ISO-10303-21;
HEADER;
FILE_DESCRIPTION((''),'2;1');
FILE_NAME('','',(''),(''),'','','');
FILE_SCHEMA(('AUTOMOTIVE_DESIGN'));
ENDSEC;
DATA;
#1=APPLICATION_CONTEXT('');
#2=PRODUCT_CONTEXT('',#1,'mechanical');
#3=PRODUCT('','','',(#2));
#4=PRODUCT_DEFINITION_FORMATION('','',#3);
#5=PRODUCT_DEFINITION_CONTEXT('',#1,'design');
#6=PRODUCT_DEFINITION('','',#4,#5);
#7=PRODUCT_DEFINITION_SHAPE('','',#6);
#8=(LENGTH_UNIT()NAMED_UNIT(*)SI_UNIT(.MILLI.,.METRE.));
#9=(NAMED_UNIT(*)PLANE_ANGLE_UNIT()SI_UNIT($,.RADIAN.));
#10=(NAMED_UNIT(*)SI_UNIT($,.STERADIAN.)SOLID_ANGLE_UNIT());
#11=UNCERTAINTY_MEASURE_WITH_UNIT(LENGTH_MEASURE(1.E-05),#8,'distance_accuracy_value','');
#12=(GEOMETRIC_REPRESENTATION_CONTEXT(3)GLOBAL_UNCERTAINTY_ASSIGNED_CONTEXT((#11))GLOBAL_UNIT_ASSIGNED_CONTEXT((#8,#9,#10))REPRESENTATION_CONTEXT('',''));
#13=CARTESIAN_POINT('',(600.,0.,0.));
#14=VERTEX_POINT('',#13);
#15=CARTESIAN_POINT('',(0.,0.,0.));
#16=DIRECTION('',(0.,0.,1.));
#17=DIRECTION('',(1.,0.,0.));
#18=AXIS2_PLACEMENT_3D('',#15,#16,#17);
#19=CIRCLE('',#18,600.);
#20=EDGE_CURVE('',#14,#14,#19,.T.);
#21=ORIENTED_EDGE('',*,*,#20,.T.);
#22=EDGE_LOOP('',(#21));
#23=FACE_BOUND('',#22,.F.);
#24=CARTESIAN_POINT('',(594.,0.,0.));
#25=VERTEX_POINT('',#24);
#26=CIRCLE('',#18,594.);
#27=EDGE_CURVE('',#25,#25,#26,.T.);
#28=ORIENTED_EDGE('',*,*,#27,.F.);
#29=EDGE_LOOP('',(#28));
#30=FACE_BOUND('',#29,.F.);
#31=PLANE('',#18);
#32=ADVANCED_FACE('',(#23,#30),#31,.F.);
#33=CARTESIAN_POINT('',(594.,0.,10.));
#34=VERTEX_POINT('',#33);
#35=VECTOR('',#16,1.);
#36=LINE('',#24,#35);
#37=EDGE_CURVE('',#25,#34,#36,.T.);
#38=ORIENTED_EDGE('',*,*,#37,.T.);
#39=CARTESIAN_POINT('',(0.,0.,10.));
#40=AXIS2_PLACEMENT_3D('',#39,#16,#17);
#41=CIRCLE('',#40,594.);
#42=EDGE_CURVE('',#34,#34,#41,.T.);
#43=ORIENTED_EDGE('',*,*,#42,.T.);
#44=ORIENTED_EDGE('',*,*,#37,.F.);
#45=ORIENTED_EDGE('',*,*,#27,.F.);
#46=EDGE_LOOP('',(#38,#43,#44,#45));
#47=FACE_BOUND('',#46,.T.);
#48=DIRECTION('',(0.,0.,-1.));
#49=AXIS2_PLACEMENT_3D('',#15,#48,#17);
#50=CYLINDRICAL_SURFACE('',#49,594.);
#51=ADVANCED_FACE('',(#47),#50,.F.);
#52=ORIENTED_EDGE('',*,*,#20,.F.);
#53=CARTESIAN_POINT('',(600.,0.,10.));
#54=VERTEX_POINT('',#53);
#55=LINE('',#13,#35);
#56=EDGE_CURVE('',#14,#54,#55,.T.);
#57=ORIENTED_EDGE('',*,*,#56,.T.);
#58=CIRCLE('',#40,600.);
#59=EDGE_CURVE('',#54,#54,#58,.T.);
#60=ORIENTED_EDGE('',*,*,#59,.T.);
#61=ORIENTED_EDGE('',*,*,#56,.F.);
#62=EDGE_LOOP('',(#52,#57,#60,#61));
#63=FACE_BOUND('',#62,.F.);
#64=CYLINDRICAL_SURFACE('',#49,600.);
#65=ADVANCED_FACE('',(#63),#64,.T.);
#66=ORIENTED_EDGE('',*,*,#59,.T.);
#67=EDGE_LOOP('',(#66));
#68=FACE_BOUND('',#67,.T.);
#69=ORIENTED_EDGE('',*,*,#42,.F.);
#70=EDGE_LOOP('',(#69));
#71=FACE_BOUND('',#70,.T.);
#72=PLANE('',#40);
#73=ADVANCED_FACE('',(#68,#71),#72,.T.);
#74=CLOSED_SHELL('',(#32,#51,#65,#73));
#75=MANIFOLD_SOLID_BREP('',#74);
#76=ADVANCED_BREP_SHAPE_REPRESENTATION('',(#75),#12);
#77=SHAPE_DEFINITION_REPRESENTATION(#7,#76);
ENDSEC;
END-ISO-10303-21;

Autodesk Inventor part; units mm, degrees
ref_plane "YZ Plane" through (0, 0, 0) normal (1, 0, 0) x (0, 1, 0)
ref_plane "XZ Plane" through (0, 0, 0) normal (0, 1, 0) x (-1, 0, 0)
ref_plane "XY Plane" through (0, 0, 0) normal (0, 0, 1) x (1, 0, 0)
sketch "Sketch1" plane through (0, 0, 0) normal (0, 0, 1) x (1, 0, 0)
  circle A0 centre (0, 0) radius 600
  circle A1 centre (0, 0) radius 594
  dimension "d0" = 1200
  dimension "d1" = 6
extrude "Extrusion1" add sketch "Sketch1" along normal blind 10
sketch "Sketch2" plane through (0, 0, 0) normal (0, 0, 1) x (1, 0, 0)
  circle A0 centre (0, 0) radius 517.8803 construction
  circle A1 centre (0, 0) radius 400.2499 construction
  circle A2 centre (0, 0) radius 256.3201 construction
  circle A3 centre (90, -90) radius 95
  circle A4 centre (-90, -90) radius 95
  circle A5 centre (-90, 90) radius 95
  circle A6 centre (90, 90) radius 95
  line L0 (90, 90) -> (-90, 90)
  line L1 (-90, 90) -> (-90, -90)
  line L2 (-90, -90) -> (90, -90)
  line L3 (90, -90) -> (90, 90)
  line L4 (90, 90) -> (-90, -90) construction
  line L5 (-90, 90) -> (90, -90) construction
  circle A7 centre (-240, -90) radius 95
  circle A8 centre (-390, -90) radius 95
  circle A9 centre (-510, -90) radius 95
  circle A10 centre (-90, -270) radius 95
  circle A11 centre (-90, -500) radius 95
  circle A12 centre (-290, -270) radius 95
  circle A13 centre (-450, -270) radius 95
  circle A14 centre (-340, -400) radius 95
  circle A15 centre (-240, 90) radius 95
  circle A16 centre (-390, 90) radius 95
  circle A17 centre (-510, 90) radius 95
  line L6 (-90, -90) -> (-510, -90)
  line L7 (0, 0) -> (0, -500)
  line L8 (0, -500) -> (-90, -500)
  line L9 (0, -400) -> (-340, -400)
  line L10 (0, -270) -> (-450, -270)
  circle A18 centre (-190, -400) radius 95
  dimension "d4" = 190
  dimension "d7" = 90
  dimension "d8" = 270
  dimension "d9" = 400
  dimension "d10" = 500
  dimension "d11" = 240
  dimension "d12" = 390
  dimension "d13" = 510
  dimension "d14" = 90
  dimension "d15" = 90
  dimension "d16" = 290
  dimension "d17" = 450
  dimension "d18" = 190
  dimension "d19" = 340
  dimension "d20" = 90
sketch "Sketch3" plane through (0, 0, 0) normal (0, 0, 1) x (1, 0, 0)
  circle A0 centre (-104.0992, -233.3488) radius 95
  circle A1 centre (-161.9131, -395.3117) radius 95
  circle A2 centre (-91.7953, -514.3257) radius 95
  circle A3 centre (-280.9346, -260.412) radius 95
  circle A4 centre (-299.5406, -418.8761) radius 95
  circle A5 centre (-250.7395, 99.5106) radius 95
  circle A6 centre (-395.8303, 87.9315) radius 95
  circle A7 centre (-535.2648, 91.0733) radius 95
  circle A8 centre (-460.3613, -287.8718) radius 95
  circle A9 centre (-531.2922, -111.9436) radius 95
  circle A10 centre (-392.3143, -102.4845) radius 95
  circle A11 centre (0, 0) radius 542.9574 construction
  circle A12 centre (-253.2201, -93.0176) radius 95
  circle A13 centre (-90.4998, -81.9426) radius 95
  circle A14 centre (85.6841, -88.1302) radius 95
  circle A15 centre (-90.4998, 88.0537) radius 95
  circle A16 centre (0, 0) radius 405.4794 construction
  circle A17 centre (0, 0) radius 269.7641 construction
  circle A18 centre (85.6841, 88.0537) radius 95
  line L0 (0, 0) -> (0, -542.9574)
  line L1 (0, -75.783) -> (-531.2922, -111.9436)
  line L2 (0, -217.4173) -> (-460.3613, -287.8718)
  circle A19 centre (0, 0) radius 600
  line L3 (0, -367.5891) -> (-299.5406, -418.8761)
  line L4 (-91.7953, -514.3257) -> (0, -514.3257)
  point P0 (0, 0)
  dimension "d21" = 190
  dimension "d22" = 1200
equation "\"d14\" = d7"
equation "\"d15\" = d7"
equation "\"BendRadius\" = Thickness"
equation "\"BendReliefWidth\" = Thickness"
equation "\"BendReliefDepth\" = 0.5 * Thickness"
equation "\"CornerReliefSize\" = 4 * Thickness"
equation "\"MinimumRemnant\" = 2 * Thickness"
equation "\"TransitionRadius\" = BendRadius"
equation "\"JacobiRadiusSize\" = BendRadius"
equation "\"GapSize\" = Thickness"
equation "\"way_tube_L1\" = 1"
equation "\"way_tube_L2\" = 1"
equation "\"way_tube_L3\" = 1"
equation "\"way_tube_L4\" = 1"
equation "\"way_tube_L5\" = 120"
equation "\"way_tube_L6\" = 90"
equation "\"way_tube_L7\" = 20"
equation "\"way_tube_L8\" = 90"
equation "\"way_tube_L9\" = 80"
equation "\"way_tube_L10\" = 80"
equation "\"Thickness\" = 3.048"
properties part number "TZS 1759 DIM filter-distribution-system 1200"
